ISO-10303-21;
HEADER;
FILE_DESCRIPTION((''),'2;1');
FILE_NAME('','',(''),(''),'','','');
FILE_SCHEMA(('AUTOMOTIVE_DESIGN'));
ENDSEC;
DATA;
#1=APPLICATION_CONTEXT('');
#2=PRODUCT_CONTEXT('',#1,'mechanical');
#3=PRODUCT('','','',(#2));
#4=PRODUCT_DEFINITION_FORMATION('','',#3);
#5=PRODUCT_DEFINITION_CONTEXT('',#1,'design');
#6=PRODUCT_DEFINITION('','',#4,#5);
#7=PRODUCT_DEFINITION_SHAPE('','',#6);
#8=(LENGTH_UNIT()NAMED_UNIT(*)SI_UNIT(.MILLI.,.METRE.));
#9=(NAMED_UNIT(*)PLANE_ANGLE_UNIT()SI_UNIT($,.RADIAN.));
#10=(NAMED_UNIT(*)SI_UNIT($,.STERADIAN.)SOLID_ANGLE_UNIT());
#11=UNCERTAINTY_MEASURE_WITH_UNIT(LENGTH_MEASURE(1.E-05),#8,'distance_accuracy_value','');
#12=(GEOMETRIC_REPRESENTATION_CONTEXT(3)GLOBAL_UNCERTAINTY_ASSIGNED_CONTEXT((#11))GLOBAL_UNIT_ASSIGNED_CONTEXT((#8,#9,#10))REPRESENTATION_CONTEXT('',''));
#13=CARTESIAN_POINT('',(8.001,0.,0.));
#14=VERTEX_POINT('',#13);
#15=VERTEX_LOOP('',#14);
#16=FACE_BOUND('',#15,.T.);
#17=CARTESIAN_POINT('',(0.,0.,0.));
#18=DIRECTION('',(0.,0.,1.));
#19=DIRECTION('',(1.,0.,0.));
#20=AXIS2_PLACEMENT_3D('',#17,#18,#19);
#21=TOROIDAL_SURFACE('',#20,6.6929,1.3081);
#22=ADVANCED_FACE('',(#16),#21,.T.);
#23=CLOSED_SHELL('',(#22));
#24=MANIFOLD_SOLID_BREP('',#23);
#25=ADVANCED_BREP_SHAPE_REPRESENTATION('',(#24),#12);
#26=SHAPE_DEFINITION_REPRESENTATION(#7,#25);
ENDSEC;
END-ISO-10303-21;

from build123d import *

# Parameters (mm, degrees)
SKETCH1_R = 1.3081


with BuildPart() as part:
    # Sketch1 → Revolve1 (revolve)
    with BuildSketch(Plane(origin=(0, 0, 0), x_dir=(0, -1, 0), z_dir=(1, 0, 0)), mode=Mode.PRIVATE) as revolve1_sk:
        with Locations((6.6929, 0)):
            Circle(SKETCH1_R)
    revolve(revolve1_sk.sketch.rotate(Axis((0, 0, 1.3081), (0, 0, -1)), 270), axis=Axis((0, 0, 1.3081), (0, 0, -1)))


solid = part.part
